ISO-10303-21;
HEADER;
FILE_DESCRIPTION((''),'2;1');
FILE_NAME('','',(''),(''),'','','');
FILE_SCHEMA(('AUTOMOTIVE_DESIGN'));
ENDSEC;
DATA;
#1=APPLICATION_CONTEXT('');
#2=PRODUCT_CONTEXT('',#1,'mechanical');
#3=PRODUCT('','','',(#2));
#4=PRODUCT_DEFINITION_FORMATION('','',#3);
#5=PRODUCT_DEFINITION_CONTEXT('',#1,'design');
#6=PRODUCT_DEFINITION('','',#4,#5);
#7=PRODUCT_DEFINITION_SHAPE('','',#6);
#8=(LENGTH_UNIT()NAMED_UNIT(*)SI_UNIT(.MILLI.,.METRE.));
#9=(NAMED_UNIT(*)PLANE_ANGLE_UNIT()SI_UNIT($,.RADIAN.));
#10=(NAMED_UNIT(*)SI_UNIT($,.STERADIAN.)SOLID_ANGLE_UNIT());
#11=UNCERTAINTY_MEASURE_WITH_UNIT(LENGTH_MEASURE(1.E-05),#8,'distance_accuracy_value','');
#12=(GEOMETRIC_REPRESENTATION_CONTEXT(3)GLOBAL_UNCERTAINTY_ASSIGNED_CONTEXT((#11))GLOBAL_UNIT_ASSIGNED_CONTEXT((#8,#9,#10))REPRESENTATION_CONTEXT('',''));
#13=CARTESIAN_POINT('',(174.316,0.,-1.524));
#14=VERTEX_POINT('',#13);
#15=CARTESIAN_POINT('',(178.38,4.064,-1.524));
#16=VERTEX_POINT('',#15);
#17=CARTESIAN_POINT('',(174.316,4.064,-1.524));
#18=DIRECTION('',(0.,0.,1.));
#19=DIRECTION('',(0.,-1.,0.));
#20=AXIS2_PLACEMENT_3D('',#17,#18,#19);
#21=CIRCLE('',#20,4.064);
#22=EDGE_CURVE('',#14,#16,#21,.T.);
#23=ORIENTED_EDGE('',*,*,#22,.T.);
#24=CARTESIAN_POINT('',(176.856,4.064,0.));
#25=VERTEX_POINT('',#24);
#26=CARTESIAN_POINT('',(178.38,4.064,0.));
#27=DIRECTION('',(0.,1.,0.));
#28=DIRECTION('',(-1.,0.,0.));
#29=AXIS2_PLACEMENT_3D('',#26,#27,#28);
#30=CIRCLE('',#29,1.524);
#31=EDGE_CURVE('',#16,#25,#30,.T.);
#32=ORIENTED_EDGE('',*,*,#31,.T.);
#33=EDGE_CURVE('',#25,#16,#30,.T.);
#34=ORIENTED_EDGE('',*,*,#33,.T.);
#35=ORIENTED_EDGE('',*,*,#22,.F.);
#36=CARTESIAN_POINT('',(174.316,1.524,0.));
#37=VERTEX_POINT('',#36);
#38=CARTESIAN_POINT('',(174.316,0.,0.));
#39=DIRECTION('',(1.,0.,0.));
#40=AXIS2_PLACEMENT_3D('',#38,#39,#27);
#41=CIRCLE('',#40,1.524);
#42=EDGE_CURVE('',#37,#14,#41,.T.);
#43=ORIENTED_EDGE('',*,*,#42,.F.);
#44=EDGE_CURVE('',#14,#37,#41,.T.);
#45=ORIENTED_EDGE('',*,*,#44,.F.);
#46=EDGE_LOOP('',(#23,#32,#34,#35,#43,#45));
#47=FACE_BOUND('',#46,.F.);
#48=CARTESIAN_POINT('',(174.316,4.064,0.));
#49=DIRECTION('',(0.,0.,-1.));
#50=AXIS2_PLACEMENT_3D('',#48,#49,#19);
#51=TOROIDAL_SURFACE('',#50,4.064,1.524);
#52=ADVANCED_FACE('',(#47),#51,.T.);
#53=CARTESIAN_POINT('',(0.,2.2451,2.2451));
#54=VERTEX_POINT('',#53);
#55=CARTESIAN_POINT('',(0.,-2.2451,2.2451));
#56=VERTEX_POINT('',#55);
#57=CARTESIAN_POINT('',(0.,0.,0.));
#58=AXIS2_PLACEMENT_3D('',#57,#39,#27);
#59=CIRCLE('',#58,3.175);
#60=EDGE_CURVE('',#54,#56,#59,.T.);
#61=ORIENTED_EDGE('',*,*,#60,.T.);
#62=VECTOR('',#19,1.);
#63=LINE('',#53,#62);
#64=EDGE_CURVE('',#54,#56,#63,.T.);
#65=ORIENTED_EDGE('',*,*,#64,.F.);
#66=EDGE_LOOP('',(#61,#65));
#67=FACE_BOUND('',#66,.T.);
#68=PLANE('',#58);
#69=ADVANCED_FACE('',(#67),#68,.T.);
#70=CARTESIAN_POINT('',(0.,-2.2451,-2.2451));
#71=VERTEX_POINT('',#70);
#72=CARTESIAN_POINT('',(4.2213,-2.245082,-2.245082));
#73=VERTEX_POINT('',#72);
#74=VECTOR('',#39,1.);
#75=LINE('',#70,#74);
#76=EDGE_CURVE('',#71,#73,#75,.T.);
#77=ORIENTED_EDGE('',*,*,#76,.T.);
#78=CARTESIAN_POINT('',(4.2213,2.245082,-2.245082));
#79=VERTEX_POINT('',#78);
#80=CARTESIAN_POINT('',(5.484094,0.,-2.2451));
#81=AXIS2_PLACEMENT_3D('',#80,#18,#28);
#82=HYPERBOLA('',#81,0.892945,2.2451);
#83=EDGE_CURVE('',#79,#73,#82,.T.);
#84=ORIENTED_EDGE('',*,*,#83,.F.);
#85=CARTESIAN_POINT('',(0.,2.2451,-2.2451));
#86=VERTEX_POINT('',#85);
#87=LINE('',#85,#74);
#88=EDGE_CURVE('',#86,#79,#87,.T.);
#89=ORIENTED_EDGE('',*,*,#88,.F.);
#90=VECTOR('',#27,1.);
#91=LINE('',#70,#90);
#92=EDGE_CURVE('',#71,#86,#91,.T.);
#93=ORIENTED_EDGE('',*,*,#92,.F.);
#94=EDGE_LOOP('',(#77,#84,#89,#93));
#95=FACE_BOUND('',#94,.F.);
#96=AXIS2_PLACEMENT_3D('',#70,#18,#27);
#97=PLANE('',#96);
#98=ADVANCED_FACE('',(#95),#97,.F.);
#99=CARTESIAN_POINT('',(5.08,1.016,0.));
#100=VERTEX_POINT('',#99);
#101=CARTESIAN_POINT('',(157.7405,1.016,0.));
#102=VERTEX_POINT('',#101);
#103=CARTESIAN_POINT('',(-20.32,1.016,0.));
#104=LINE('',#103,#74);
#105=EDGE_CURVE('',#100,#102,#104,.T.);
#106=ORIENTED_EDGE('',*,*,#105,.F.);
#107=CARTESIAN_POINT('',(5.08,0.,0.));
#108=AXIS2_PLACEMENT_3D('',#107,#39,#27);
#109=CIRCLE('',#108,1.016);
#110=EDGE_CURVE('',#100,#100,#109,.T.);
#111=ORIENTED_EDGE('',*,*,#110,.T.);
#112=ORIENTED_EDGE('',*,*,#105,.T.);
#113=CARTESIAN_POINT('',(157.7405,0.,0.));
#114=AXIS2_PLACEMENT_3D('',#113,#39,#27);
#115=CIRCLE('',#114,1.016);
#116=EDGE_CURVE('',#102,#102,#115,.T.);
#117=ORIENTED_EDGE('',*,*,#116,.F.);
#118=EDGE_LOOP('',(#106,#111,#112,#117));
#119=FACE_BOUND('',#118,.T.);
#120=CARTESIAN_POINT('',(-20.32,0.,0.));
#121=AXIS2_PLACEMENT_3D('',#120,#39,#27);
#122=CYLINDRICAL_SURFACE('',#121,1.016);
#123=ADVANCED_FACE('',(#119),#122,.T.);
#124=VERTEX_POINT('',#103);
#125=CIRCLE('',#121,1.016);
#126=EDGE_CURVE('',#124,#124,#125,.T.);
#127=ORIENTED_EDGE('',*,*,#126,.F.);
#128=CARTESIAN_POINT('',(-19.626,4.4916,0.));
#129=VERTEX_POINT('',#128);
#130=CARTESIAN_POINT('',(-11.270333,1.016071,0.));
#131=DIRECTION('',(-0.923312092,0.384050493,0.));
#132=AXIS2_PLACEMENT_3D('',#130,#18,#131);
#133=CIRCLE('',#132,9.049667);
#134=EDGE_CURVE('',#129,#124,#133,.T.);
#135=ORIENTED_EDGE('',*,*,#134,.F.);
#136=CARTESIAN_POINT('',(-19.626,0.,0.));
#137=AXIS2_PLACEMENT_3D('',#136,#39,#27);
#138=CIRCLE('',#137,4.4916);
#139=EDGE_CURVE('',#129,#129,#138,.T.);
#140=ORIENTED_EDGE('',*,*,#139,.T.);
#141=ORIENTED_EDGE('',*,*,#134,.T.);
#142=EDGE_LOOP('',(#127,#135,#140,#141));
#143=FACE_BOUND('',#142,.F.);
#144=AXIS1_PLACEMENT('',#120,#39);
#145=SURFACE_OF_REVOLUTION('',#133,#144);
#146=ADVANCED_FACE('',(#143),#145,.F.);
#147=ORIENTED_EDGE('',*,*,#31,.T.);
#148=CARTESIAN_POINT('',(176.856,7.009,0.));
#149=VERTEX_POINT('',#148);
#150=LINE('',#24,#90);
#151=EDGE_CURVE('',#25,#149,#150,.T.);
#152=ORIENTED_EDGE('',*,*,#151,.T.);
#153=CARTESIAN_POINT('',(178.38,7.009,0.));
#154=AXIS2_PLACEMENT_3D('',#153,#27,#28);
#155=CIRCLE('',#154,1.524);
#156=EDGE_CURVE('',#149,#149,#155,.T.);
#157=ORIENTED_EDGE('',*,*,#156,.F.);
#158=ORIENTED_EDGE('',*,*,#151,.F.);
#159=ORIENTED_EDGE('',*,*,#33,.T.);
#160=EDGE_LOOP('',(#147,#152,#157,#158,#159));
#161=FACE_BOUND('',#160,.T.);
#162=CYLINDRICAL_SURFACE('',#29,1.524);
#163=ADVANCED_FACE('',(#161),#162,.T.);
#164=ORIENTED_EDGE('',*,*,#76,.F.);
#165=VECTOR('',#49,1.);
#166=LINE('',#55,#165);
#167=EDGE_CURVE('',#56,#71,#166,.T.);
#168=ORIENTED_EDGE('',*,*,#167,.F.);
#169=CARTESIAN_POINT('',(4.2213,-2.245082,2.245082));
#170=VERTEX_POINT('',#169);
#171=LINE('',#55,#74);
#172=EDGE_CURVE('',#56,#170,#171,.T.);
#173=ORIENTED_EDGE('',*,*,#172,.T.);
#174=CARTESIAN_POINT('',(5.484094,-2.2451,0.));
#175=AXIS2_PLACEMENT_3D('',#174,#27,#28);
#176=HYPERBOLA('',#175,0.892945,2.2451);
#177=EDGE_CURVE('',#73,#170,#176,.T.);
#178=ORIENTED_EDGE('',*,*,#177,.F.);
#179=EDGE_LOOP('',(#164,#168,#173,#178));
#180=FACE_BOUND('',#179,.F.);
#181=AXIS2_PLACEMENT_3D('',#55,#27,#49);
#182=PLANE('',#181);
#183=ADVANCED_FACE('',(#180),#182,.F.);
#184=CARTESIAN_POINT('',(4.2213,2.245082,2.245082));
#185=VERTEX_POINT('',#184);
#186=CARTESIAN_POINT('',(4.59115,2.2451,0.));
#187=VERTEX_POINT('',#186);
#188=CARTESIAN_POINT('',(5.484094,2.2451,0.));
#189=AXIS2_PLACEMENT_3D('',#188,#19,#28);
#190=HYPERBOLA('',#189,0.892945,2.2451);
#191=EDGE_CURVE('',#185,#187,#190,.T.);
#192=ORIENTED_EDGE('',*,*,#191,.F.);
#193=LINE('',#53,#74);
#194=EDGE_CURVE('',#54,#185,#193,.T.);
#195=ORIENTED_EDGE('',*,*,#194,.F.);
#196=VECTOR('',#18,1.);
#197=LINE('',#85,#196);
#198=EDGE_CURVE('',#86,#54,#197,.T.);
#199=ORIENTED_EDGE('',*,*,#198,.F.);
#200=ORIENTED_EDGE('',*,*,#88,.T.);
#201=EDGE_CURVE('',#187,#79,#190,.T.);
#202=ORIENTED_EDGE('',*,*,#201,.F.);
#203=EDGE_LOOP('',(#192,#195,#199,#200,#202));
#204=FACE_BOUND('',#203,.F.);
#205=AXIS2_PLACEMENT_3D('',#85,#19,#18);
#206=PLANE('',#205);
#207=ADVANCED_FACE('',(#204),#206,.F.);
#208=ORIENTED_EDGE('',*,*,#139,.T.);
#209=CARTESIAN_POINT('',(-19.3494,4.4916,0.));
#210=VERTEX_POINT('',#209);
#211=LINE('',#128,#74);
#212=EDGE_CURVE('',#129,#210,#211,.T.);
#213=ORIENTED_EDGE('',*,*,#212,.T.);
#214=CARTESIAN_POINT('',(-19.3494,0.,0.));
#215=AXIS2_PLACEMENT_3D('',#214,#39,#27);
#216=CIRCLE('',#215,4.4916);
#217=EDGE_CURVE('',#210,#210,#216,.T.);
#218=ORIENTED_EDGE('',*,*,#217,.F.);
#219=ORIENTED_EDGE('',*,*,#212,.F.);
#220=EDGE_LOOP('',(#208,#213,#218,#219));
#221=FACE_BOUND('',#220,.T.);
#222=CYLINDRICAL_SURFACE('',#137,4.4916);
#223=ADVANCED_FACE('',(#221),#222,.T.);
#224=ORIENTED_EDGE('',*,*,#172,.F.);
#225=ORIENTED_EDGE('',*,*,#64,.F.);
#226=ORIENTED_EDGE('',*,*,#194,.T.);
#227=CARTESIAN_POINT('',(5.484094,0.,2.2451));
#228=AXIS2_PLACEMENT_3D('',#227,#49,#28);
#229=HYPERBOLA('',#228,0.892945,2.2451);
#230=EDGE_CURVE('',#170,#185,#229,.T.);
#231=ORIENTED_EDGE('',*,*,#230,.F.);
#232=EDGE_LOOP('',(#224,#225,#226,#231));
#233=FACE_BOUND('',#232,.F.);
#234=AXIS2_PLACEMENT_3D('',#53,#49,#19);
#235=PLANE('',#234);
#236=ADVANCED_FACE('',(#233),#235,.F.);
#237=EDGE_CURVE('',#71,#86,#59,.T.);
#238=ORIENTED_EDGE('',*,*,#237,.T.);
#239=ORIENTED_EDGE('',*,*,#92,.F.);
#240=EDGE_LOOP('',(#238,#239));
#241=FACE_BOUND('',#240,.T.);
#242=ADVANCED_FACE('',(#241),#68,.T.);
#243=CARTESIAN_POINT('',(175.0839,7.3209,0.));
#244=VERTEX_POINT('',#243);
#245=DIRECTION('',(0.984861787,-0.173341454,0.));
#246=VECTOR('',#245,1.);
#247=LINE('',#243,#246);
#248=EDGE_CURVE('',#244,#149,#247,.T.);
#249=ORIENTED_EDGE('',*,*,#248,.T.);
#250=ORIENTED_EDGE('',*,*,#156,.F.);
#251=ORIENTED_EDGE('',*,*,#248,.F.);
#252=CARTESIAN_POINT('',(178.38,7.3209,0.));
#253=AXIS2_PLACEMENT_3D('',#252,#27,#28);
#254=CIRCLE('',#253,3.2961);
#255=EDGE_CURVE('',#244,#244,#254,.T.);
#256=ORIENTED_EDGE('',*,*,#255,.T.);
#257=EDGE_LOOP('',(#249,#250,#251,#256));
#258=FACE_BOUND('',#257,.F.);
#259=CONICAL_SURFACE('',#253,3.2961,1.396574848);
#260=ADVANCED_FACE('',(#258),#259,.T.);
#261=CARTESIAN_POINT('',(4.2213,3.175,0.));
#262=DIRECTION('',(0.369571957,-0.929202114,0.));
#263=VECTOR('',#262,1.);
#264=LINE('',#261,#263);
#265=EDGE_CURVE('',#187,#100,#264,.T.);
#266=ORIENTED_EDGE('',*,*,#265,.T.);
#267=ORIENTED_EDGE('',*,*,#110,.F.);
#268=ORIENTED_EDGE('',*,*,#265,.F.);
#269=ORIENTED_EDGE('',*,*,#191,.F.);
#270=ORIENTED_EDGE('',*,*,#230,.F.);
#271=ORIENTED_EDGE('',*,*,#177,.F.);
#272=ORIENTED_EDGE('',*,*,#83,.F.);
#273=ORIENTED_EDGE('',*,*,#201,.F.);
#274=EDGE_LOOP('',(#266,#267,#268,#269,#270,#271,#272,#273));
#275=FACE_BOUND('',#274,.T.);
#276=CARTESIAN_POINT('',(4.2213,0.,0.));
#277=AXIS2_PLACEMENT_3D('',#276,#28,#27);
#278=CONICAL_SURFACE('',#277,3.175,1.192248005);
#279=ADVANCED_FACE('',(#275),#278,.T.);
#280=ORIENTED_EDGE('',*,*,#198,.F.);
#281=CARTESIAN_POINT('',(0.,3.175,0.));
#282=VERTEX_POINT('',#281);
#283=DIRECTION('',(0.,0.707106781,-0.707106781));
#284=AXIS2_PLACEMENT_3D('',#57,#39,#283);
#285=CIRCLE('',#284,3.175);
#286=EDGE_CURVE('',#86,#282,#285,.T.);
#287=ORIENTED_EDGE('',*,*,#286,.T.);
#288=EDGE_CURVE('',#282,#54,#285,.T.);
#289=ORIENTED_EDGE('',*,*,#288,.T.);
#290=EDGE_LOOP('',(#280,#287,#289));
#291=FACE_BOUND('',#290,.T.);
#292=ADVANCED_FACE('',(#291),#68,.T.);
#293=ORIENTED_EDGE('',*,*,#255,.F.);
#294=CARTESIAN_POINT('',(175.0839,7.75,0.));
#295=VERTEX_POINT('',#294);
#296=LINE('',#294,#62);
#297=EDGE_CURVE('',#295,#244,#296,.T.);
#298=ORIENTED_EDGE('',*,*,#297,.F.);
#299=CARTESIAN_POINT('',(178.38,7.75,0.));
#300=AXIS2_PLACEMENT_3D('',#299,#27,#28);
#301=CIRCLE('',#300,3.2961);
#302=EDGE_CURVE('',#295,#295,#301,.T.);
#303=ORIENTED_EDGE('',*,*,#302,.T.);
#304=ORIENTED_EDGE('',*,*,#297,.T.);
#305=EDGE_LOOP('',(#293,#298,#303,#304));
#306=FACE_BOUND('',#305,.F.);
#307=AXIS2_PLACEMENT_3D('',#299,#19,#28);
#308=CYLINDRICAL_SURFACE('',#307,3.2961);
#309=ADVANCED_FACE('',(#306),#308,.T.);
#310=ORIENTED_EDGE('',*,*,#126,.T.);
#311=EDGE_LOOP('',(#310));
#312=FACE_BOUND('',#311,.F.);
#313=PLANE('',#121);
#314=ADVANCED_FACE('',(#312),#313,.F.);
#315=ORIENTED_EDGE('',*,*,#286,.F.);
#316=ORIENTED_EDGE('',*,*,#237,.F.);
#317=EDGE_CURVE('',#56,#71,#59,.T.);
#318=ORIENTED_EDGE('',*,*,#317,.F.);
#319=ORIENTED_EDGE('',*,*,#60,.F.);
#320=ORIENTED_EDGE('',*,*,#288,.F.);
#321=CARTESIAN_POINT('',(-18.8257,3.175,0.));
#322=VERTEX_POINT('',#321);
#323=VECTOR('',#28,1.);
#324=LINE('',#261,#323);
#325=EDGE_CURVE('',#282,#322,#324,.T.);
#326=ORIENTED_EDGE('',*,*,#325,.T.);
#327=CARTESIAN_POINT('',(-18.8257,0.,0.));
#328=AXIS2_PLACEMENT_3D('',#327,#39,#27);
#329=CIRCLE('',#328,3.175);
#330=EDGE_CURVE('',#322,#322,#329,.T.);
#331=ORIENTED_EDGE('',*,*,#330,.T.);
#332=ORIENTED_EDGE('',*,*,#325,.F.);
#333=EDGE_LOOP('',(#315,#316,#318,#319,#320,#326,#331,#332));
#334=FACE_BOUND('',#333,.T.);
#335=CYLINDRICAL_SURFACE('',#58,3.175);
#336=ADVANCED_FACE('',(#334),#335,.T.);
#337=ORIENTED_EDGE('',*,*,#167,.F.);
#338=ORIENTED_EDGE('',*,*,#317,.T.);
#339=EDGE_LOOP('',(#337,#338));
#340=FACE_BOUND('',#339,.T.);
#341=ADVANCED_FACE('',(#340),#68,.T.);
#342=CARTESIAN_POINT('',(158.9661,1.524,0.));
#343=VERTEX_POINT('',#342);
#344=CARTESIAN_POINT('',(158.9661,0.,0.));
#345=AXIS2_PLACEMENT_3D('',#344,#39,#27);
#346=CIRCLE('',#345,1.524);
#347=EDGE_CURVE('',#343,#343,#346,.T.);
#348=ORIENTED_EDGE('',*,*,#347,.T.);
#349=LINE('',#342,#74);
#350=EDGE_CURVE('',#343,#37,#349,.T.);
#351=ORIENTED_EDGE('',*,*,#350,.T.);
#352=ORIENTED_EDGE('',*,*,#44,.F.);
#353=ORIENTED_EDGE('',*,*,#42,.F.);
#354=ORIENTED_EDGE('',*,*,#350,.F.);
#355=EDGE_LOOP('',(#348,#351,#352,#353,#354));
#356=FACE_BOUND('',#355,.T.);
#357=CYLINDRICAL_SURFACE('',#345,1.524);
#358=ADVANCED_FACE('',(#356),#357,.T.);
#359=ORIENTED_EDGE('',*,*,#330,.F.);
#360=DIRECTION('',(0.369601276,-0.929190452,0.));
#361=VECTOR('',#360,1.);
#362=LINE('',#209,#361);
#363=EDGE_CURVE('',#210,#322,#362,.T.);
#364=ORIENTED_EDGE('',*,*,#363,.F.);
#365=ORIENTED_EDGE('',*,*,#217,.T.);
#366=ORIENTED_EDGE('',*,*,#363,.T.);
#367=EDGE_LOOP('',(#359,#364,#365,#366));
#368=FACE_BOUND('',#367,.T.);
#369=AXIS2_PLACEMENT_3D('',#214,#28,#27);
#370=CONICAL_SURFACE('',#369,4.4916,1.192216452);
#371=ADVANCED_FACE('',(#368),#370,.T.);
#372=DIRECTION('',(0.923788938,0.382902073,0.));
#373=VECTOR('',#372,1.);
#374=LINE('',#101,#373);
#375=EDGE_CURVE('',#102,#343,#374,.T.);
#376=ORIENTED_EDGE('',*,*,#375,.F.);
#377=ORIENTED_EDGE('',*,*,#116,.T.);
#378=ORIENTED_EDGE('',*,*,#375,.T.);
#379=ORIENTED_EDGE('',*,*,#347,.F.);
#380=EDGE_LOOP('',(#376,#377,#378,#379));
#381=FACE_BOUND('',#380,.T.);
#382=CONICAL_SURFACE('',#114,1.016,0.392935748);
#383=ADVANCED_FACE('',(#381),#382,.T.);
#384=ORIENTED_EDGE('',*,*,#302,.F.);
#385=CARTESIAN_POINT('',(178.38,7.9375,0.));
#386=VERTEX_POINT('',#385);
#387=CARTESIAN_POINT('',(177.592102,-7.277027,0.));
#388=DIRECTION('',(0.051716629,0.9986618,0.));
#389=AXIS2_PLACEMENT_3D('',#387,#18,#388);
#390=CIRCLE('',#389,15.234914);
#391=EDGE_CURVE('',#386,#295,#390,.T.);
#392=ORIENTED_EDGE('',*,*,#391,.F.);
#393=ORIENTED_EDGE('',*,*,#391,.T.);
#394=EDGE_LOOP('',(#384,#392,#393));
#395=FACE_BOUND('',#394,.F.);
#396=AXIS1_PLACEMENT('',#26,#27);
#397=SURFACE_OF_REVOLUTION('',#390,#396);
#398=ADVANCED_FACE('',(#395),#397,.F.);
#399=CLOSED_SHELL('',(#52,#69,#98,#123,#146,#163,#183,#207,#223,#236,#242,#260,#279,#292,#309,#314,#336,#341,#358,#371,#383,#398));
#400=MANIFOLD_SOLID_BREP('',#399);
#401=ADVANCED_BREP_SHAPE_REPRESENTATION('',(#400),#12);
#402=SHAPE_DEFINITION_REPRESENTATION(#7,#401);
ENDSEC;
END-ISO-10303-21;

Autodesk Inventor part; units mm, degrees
ref_plane "YZ Plane" through (0, 0, 0) normal (1, 0, 0) x (0, 1, 0)
ref_plane "XZ Plane" through (0, 0, 0) normal (0, 1, 0) x (-1, 0, 0)
ref_plane "XY Plane" through (0, 0, 0) normal (0, 0, 1) x (1, 0, 0)
sketch "Sketch1" plane through (0, 0, 0) normal (0, 0, 1) x (1, 0, 0)
  line L0 (-20.32, 1.016) -> (157.7405, 1.016)
  line L1 (-20.32, 1.016) -> (-20.32, 0)
  line L2 (-20.32, 0) -> (174.316, 0)
  line L3 (157.7405, 1.016) -> (158.9661, 1.524)
  line L4 (158.9661, 1.524) -> (174.316, 1.524)
  line L5 (174.316, 1.524) -> (174.316, 0)
  arc A0 (174.316, 1.524) -> (176.856, 4.064) centre (174.316, 4.064) ccw
  line L6 (176.856, 4.064) -> (176.856, 7.009)
  arc A1 (178.38, 7.9375) -> (175.0839, 7.75) centre (177.5921, -7.2764) ccw
  line L7 (176.856, 4.064) -> (179.904, 4.064)
  line L8 (178.38, 4.064) -> (178.38, 7.9375)
  arc A2 (174.316, 0) -> (178.38, 4.064) centre (174.316, 4.064) ccw
  line L9 (175.0839, 7.75) -> (175.0839, 7.3209)
  line L10 (175.0839, 7.3209) -> (176.856, 7.009)
  arc A3 (-19.626, 4.4916) -> (-20.32, 1.016) centre (-11.2701, 1.016) ccw
  line L11 (-19.626, 4.4916) -> (-19.3494, 4.4916)
  line L12 (-19.3494, 4.4916) -> (-18.8257, 3.175)
  line L13 (0, 3.175) -> (4.2213, 3.175)
  line L14 (4.2213, 3.175) -> (5.08, 1.016)
  line L15 (5.08, 1.016) -> (5.08, 0)
  line L16 (0, 3.175) -> (0, 0)
  line L17 (-18.8257, 3.175) -> (0, 3.175)
  line L18 (0, 0) -> (5.08, 0)
  dimension "d1" = 2.032
  dimension "d2" = 3.048
  dimension "d5" = 6.35
  dimension "d11" = 9.0499
  dimension "d12" = 25.4
  dimension "d13" = 5.08
  dimension "d14" = 0.2766
  dimension "d15" = 1.4943
  dimension "d16" = 1.2255
  dimension "d17" = 2.54
  dimension "d18" = 7.9375
  dimension "d19" = 15.2343
  dimension "d20" = 6.5922
  dimension "d21" = 198.7
revolve "Revolution1" add sketch "Sketch1" angle 360 about axis through (-20.32, 0, 0) along (1, 0, 0) contours L15 L2 L16 L0 | L0 L16 L13 L14 | L0 L3 L4 L5 L2 L15 | L16 L2 L1 L0 | L0 A3 L11 L12 L17 L16
sketch "Sketch3" plane through (0, 0, 0) normal (1, 0, 0) x (0, 1, 0)
  circle A0 centre (0, 0) radius 3.175 projected
  line L0 (2.2451, 2.2451) -> (-2.2451, 2.2451)
  line L1 (-2.2451, 2.2451) -> (-2.2451, -2.2451)
  line L2 (-2.2451, -2.2451) -> (2.2451, -2.2451)
  line L3 (2.2451, -2.2451) -> (2.2451, 2.2451)
  point P0 (-0.0045, 0)
extrude "Extrusion1" cut sketch "Sketch3" along normal blind 7.9502 contours A0 L3 | L0 A0 | A0 L2 | L1 A0
revolve "Revolution2" add sketch "Sketch1" angle 360 about axis through (178.38, 4.064, 0) along (0, 1, 0) contours L7 L6 L10 L9 A1 L8
sketch "Sketch2" plane through (174.316, 0, 0) normal (1, 0, 0) x (0, 0, -1)
  circle A0 centre (0, 0) radius 1.524 projected
  line L0 (0, 4.064) -> (3.1623, 4.064)
revolve "Revolution3" add sketch "Sketch2" angle 90 about axis through (174.316, 4.064, 0) along (0, 0, 1)
properties part number "SpokeRear"
